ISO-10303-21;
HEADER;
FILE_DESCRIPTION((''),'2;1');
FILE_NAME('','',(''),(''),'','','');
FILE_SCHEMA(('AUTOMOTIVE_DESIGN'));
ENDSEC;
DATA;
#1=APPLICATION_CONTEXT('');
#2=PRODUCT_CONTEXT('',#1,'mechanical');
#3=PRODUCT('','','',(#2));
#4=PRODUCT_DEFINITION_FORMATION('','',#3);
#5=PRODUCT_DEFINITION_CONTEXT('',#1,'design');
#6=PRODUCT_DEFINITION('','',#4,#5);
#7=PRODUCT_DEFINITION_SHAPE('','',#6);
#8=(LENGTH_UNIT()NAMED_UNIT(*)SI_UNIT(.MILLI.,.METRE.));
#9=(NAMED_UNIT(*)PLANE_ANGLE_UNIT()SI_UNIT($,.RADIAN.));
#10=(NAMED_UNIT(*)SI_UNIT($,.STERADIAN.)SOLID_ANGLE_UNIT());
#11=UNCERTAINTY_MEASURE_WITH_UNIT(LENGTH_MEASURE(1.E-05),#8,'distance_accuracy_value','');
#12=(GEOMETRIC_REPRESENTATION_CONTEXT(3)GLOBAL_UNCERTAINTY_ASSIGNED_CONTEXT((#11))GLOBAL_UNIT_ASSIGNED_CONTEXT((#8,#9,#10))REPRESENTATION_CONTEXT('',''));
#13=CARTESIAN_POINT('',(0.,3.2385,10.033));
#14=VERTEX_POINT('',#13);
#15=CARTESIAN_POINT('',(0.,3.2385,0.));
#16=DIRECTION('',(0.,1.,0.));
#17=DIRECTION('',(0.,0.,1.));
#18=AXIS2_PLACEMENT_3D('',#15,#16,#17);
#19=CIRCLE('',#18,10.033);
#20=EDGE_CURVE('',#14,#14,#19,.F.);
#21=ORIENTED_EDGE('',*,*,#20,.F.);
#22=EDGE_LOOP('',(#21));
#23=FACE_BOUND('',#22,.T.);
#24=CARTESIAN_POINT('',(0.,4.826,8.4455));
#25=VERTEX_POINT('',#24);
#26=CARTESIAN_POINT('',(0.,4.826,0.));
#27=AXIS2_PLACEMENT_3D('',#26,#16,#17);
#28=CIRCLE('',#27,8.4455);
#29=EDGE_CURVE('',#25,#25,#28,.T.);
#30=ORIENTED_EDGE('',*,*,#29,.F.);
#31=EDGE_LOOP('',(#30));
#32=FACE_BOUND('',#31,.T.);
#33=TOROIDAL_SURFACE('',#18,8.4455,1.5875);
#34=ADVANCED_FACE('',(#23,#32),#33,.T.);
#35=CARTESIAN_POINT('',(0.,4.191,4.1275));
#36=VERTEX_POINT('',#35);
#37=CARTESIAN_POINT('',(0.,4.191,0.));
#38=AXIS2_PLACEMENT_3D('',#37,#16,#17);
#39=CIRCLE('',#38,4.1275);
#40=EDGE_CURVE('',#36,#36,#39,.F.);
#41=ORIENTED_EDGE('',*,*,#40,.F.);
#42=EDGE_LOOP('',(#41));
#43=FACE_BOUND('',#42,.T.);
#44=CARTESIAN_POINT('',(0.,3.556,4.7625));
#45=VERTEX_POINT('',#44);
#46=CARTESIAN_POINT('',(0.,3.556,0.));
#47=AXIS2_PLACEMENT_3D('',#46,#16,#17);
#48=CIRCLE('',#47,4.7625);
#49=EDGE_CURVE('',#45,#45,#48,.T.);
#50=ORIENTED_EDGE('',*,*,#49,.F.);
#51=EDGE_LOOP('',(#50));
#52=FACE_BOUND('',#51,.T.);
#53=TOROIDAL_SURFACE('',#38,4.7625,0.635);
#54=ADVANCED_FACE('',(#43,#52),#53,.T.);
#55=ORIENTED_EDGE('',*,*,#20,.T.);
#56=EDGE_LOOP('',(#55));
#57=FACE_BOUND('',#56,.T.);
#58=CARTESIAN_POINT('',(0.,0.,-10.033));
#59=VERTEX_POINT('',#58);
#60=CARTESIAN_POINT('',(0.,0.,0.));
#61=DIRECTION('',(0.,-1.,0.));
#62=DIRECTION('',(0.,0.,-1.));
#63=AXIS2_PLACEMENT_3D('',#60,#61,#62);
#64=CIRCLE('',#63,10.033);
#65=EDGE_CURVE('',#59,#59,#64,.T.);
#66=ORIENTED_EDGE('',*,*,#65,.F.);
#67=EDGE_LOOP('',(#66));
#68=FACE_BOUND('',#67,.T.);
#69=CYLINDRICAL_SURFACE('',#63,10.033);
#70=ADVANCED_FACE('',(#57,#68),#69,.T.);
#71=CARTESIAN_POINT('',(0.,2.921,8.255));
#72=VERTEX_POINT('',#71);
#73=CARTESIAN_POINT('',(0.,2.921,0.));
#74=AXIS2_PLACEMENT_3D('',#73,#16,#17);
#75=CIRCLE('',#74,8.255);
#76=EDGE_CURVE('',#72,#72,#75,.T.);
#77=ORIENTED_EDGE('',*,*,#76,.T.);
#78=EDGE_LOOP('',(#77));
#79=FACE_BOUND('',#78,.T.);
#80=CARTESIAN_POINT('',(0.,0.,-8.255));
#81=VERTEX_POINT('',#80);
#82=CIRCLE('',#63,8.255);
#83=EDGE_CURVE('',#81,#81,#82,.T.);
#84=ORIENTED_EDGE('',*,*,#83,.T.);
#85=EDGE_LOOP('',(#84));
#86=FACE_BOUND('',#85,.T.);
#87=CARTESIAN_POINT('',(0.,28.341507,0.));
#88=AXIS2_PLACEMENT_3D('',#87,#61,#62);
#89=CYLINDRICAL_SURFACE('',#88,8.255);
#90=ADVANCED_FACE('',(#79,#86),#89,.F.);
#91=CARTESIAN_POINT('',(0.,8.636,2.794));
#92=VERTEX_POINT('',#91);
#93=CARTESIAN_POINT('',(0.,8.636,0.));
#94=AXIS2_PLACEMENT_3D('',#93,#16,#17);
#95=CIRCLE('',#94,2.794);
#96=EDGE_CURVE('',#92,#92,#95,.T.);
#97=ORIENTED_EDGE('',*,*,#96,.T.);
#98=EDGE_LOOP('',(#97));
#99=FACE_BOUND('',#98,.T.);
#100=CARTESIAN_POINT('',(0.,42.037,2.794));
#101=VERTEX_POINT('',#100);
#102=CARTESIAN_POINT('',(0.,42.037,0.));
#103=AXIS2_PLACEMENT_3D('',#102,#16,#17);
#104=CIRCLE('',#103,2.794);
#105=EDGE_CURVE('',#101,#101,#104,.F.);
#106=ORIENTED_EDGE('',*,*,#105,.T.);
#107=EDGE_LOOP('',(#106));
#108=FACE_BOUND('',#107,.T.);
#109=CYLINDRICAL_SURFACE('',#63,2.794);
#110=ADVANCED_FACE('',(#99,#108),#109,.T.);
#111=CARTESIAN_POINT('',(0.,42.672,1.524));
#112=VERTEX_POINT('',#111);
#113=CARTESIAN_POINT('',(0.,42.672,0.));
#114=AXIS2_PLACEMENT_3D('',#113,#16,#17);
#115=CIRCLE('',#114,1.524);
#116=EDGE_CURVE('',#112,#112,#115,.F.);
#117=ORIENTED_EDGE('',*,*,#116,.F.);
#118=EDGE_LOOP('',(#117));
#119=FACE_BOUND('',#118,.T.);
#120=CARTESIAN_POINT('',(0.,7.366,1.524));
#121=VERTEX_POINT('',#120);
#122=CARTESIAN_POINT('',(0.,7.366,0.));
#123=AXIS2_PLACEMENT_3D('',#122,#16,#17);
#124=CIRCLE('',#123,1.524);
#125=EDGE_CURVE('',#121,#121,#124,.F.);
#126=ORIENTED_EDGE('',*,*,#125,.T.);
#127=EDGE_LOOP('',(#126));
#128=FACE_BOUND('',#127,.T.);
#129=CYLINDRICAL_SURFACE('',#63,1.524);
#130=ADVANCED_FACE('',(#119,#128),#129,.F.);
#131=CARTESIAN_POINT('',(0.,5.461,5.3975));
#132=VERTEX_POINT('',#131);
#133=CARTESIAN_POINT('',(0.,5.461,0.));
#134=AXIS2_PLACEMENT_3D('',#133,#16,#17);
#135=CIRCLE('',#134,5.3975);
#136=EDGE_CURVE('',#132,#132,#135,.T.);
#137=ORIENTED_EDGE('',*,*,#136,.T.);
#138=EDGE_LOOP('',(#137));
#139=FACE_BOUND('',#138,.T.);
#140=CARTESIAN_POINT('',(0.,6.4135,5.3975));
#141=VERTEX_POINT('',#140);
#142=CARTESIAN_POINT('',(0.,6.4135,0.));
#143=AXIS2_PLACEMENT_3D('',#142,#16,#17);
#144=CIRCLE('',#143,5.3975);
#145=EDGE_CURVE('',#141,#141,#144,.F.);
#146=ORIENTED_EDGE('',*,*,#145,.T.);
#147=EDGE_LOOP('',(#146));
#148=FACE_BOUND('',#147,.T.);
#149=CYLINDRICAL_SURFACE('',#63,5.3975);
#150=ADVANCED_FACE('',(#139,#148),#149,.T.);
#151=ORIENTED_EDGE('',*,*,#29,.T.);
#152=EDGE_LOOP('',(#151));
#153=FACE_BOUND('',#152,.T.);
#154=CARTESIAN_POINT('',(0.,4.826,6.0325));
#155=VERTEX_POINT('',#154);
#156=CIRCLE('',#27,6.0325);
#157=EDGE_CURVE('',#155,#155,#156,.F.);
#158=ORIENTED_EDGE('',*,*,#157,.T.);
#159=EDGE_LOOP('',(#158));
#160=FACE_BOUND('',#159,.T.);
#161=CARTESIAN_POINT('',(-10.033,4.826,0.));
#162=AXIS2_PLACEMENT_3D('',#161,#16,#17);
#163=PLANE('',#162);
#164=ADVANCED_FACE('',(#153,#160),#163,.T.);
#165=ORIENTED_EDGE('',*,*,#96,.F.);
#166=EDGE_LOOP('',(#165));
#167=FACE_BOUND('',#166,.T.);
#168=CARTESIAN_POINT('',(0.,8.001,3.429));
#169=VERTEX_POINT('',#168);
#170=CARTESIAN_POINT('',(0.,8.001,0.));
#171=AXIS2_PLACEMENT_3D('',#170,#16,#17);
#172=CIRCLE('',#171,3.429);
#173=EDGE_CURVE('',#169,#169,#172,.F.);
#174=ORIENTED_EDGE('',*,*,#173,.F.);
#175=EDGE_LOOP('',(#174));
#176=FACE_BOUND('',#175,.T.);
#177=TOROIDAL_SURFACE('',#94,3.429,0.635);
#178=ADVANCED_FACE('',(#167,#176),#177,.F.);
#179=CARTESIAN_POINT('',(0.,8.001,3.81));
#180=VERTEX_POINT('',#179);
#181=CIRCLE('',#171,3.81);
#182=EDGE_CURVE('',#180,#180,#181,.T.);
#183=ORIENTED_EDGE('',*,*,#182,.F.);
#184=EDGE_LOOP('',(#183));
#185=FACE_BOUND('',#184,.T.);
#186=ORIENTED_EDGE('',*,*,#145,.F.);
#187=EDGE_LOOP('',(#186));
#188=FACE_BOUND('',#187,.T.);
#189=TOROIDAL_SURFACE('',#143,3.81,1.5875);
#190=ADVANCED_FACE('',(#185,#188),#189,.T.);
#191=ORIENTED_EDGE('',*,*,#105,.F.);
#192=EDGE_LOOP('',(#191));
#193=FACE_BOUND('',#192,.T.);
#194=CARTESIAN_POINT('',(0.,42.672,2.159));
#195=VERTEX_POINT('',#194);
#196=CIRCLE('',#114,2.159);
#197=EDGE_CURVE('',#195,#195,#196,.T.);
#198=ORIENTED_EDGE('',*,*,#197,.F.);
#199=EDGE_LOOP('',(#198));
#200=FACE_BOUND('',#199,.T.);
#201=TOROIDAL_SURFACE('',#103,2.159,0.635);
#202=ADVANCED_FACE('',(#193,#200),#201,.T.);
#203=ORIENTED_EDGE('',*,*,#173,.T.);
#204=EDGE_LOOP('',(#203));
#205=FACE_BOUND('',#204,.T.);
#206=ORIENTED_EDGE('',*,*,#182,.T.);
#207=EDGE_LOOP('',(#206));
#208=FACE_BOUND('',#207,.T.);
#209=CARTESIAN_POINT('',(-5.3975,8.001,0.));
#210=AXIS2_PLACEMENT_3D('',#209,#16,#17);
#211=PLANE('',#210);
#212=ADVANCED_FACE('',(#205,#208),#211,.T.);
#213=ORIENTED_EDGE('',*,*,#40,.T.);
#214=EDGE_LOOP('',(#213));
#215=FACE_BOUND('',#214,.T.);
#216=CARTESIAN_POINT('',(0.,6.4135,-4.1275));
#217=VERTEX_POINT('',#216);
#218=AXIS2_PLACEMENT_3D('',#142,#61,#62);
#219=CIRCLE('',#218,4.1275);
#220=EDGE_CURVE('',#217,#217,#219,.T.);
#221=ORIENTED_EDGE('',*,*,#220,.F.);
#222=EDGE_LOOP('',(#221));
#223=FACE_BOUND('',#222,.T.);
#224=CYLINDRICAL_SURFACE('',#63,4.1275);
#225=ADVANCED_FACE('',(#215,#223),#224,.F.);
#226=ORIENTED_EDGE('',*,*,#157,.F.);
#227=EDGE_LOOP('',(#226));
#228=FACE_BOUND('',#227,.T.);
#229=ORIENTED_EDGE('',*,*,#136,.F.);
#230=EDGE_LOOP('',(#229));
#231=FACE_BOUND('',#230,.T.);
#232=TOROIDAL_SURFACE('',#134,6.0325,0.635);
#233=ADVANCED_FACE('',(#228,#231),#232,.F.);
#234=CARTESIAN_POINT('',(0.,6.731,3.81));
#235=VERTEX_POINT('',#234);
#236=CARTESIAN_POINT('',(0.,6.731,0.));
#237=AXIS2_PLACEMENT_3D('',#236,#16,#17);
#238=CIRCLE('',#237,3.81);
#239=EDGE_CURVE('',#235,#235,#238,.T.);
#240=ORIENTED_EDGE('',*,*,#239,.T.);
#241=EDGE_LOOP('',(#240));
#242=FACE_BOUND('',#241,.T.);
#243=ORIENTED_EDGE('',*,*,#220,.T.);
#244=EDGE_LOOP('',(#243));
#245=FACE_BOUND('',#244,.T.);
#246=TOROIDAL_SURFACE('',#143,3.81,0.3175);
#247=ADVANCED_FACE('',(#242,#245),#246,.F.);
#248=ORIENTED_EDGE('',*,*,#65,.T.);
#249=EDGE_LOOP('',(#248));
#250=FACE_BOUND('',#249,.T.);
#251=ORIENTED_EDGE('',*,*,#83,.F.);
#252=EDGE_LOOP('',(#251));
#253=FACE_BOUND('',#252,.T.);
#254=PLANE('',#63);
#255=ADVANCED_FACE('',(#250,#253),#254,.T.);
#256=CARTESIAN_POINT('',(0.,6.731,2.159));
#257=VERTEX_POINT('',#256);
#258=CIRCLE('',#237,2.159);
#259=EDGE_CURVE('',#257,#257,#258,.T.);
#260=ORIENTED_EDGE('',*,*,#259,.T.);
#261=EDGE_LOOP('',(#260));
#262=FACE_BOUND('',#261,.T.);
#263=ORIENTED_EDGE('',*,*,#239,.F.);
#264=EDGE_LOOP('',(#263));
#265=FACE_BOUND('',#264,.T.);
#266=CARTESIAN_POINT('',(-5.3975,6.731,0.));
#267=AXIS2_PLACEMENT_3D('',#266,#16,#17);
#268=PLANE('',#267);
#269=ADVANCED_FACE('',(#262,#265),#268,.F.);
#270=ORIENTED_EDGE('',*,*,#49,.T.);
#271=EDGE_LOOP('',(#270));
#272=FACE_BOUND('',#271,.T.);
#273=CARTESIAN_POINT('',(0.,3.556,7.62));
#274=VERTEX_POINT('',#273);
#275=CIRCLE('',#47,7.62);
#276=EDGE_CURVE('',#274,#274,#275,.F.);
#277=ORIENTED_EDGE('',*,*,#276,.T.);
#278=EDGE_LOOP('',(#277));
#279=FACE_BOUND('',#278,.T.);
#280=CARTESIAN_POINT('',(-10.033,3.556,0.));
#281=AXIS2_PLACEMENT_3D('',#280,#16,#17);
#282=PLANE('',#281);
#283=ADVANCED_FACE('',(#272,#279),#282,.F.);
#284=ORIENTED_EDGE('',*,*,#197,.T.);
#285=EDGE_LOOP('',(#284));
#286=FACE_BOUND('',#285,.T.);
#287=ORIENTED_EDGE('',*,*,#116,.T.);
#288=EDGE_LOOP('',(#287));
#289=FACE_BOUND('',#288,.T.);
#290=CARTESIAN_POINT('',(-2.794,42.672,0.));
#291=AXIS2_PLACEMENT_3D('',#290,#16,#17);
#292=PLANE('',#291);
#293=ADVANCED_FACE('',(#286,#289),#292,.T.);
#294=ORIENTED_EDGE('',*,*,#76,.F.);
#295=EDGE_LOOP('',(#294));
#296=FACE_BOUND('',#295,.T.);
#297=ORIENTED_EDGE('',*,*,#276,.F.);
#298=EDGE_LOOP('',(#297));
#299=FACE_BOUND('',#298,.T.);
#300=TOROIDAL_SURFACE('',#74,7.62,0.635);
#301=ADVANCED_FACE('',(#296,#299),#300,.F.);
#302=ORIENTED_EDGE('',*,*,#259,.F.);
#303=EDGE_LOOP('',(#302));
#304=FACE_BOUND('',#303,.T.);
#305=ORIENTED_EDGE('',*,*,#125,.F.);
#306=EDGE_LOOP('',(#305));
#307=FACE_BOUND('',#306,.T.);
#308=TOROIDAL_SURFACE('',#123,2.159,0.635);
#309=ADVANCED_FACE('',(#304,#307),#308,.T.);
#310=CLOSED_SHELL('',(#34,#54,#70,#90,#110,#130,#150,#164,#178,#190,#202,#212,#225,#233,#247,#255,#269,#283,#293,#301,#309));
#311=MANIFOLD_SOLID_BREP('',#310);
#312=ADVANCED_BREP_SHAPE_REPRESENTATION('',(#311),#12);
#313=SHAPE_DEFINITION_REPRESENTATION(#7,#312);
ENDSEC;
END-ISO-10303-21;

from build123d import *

# Parameters (mm, degrees)
FILLET1_R           = 1.5875
SHELL1_T            = -1.27
BOSS_EXTRUDE1_REACH = 46.969
SKETCH2_R           = 8.763
SKETCH2_R_2         = 8.255
FILLET2_R           = 0.635


with BuildPart() as part:
    # Sketch1 → Base-Revolve (revolve)
    with BuildSketch(Plane.XY, mode=Mode.PRIVATE) as base_revolve_sk:
        Polygon((0, 0), (-10.033, 0), (-10.033, 4.826), (-5.3975, 4.826), (-5.3975, 8.001), (-2.794, 8.001), (-2.794, 42.672), (0, 42.672), align=None)
    revolve(base_revolve_sk.sketch.rotate(Axis((0, 0, 0), (0, 1, 0)), 270), axis=Axis((0, 0, 0), (0, 1, 0)))

    # Fillet1
    fillet1_edges = [part.edges().sort_by_distance(p)[0] for p in [
        (0, 4.826, 10.033),
        (0, 8.001, 5.3975),
    ]]
    fillet(fillet1_edges, radius=FILLET1_R)

    # Shell1
    shell1_openings = [part.faces().sort_by_distance(p)[0] for p in [
        (0, 0, 0),
        (0, 42.672, 0),
    ]]
    offset(amount=SHELL1_T, openings=shell1_openings, kind=Kind.INTERSECTION)

    # Sketch2 → Boss-Extrude1 (add, up to next)
    with BuildSketch(Plane.XZ, mode=Mode.PRIVATE) as boss_extrude1_sk1:
        Circle(SKETCH2_R)
        with Locations(Location((0, 0, 0), (0, 0, 270))):
            Circle(SKETCH2_R_2, mode=Mode.SUBTRACT)
    boss_extrude1_tool1 = extrude(boss_extrude1_sk1.sketch, amount=-BOSS_EXTRUDE1_REACH, mode=Mode.PRIVATE) - part.part
    add(boss_extrude1_tool1.solids().sort_by_distance((-8.515145, 0, 0))[0])

    # Fillet2
    fillet2_edges = [part.edges().sort_by_distance(p)[0] for p in [
        (0, 6.731, 1.524),
        (0, 3.556, 4.1275),
        (0, 3.556, 8.255),
        (0, 4.826, 5.3975),
        (0, 8.001, 2.794),
        (0, 42.672, 2.794),
    ]]
    fillet(fillet2_edges, radius=FILLET2_R)


solid = part.part
